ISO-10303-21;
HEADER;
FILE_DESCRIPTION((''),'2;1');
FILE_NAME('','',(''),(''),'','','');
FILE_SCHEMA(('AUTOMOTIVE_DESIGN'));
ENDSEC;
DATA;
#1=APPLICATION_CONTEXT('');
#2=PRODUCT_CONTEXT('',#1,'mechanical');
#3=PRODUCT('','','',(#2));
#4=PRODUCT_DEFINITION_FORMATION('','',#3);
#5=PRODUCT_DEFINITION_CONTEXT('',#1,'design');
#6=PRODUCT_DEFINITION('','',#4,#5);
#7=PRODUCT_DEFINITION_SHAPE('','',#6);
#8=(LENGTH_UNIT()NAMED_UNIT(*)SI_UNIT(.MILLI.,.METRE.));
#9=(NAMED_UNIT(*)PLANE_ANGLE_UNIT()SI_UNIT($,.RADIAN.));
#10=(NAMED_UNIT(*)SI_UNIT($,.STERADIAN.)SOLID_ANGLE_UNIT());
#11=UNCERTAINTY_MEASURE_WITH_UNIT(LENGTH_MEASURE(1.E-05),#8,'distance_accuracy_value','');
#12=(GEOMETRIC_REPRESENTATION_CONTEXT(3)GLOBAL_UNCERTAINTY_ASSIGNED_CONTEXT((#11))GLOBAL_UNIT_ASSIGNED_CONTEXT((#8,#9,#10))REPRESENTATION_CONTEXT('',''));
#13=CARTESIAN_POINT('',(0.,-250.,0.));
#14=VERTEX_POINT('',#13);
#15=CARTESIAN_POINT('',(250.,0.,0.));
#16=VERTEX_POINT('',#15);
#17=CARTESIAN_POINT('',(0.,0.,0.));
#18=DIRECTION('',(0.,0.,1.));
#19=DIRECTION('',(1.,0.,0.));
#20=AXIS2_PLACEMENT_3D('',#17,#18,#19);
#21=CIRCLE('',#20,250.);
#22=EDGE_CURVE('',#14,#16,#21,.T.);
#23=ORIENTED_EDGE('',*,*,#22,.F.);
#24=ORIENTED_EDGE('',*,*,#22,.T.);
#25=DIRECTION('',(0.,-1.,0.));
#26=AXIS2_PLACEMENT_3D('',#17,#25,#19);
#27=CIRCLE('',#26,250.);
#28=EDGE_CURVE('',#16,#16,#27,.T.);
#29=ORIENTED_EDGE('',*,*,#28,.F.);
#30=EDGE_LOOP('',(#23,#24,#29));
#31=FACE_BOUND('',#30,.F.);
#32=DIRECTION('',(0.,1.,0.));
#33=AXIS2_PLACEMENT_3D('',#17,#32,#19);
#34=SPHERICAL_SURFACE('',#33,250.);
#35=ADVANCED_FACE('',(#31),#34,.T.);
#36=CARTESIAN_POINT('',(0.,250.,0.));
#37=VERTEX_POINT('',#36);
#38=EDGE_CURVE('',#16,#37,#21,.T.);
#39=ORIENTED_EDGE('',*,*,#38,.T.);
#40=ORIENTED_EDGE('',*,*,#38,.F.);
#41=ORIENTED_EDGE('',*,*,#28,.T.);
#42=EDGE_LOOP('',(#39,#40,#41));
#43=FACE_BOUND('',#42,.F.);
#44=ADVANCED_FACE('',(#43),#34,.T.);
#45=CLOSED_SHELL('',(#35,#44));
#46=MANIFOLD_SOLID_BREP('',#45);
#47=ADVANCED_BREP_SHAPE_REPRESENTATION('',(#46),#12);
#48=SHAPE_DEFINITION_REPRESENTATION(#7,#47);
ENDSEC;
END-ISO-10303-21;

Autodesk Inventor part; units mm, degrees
ref_plane "YZ Plane" through (0, 0, 0) normal (1, 0, 0) x (0, 1, 0)
ref_plane "XZ Plane" through (0, 0, 0) normal (0, 1, 0) x (-1, 0, 0)
ref_plane "XY Plane" through (0, 0, 0) normal (0, 0, 1) x (1, 0, 0)
sketch "Sketch1" plane through (0, 0, 0) normal (0, 0, 1) x (1, 0, 0)
  circle A0 centre (0, 0) radius 250
  line L0 (0, 250) -> (0, -250)
  dimension "d0" = 500
  dimension "d1" = 500
revolve "Revolution1" add sketch "Sketch1" angle 360 about axis through (0, 250, 0) along (0, -1, 0) picked at (66.1885, 59.2427) contours A0 L0
properties part number "Ball Joint"
